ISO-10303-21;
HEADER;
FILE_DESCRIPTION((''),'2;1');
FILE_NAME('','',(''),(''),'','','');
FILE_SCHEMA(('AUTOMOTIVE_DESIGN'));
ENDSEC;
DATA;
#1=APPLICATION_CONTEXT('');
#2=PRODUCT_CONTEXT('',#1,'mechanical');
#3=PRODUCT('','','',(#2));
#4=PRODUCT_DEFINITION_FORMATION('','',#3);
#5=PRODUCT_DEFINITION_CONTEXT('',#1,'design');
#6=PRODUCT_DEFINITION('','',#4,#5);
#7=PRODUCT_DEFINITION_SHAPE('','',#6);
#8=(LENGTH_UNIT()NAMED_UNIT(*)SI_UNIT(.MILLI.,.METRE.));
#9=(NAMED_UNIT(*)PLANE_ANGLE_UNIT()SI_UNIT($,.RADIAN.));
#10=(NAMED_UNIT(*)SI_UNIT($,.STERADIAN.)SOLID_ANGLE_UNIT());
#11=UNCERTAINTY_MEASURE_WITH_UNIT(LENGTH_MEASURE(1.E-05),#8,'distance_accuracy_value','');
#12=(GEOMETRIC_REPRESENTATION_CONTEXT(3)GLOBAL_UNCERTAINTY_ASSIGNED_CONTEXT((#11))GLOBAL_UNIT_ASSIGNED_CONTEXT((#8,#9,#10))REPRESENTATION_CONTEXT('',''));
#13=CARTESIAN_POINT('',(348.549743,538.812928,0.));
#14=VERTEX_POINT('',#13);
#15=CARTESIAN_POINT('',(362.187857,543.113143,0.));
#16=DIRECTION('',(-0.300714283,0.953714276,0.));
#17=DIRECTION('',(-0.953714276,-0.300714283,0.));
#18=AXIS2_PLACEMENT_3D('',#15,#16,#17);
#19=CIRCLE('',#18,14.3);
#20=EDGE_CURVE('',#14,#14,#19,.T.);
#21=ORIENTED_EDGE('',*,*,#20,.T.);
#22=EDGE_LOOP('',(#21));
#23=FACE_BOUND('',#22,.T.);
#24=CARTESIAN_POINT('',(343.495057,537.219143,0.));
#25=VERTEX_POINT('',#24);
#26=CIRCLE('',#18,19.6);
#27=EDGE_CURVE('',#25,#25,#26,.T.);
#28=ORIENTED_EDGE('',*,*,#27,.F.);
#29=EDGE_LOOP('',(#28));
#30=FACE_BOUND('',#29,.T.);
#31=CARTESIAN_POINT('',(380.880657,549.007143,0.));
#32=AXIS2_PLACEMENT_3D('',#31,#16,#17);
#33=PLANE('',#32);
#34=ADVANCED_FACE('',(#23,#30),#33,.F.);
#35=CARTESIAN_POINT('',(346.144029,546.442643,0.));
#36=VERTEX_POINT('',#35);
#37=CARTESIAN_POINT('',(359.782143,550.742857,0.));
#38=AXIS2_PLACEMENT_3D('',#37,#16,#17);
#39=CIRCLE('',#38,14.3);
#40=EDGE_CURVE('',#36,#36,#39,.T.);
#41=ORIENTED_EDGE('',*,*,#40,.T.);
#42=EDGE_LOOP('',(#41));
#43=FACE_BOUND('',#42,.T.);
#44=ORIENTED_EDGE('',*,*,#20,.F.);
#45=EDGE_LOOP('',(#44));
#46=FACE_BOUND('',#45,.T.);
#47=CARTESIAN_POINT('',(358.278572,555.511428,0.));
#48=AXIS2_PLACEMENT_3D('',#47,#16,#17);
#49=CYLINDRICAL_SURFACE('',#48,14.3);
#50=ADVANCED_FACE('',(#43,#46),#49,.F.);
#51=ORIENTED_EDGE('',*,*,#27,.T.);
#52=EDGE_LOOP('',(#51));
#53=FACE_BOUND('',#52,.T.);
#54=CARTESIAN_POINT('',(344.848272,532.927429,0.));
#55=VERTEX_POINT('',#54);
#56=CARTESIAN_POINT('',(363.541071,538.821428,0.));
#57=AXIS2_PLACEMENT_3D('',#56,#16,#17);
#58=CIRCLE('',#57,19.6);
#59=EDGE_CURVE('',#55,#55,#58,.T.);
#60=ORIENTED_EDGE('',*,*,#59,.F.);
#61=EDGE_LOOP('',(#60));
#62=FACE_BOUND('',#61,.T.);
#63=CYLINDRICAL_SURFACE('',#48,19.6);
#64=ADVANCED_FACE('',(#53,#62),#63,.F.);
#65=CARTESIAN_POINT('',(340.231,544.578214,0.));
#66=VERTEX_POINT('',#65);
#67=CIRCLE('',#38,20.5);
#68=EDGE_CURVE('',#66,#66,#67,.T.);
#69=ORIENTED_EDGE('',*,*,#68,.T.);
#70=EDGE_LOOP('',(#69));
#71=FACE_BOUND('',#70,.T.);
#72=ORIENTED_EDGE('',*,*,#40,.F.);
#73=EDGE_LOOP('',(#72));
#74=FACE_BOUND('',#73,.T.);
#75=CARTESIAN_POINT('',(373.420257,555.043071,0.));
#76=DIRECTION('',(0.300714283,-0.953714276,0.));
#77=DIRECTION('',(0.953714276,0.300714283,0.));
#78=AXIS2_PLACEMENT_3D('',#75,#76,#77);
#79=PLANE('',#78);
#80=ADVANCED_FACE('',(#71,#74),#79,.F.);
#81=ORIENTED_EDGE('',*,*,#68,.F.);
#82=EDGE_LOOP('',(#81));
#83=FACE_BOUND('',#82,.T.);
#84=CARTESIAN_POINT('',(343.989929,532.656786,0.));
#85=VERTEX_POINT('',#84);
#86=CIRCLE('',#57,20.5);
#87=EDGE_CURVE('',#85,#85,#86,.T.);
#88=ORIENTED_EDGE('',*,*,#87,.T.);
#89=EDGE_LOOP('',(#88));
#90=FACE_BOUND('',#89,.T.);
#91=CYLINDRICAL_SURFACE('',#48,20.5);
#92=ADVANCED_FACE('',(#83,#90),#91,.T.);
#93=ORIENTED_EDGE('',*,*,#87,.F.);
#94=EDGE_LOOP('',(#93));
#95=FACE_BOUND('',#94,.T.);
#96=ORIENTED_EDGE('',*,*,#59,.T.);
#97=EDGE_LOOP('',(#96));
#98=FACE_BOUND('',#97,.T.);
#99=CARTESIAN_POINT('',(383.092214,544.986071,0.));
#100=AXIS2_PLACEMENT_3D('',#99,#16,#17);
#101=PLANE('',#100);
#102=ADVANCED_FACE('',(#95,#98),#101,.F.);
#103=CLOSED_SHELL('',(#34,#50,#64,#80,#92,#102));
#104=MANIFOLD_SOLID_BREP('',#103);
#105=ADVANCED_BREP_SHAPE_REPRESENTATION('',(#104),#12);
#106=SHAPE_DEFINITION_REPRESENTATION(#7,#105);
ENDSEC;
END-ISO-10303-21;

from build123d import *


with BuildPart() as part:
    # Sk_Cazoleta → Cazoleta (revolve)
    with BuildSketch(Plane.XY, mode=Mode.PRIVATE) as cazoleta_sk:
        Polygon((373.42025708, 555.043071141), (379.333285591, 556.907499694), (383.092214125, 544.986071244), (382.233871276, 544.71542839), (380.880657004, 549.007142632), (375.825971342, 547.413356934), align=None)
    revolve(cazoleta_sk.sketch.rotate(Axis((358.278571521, 555.511428279, 0), (0.3007142826457746, -0.9537142759825068, 0)), 180), axis=Axis((358.278571521, 555.511428279, 0), (0.3007142826457746, -0.9537142759825068, 0)))


solid = part.part
